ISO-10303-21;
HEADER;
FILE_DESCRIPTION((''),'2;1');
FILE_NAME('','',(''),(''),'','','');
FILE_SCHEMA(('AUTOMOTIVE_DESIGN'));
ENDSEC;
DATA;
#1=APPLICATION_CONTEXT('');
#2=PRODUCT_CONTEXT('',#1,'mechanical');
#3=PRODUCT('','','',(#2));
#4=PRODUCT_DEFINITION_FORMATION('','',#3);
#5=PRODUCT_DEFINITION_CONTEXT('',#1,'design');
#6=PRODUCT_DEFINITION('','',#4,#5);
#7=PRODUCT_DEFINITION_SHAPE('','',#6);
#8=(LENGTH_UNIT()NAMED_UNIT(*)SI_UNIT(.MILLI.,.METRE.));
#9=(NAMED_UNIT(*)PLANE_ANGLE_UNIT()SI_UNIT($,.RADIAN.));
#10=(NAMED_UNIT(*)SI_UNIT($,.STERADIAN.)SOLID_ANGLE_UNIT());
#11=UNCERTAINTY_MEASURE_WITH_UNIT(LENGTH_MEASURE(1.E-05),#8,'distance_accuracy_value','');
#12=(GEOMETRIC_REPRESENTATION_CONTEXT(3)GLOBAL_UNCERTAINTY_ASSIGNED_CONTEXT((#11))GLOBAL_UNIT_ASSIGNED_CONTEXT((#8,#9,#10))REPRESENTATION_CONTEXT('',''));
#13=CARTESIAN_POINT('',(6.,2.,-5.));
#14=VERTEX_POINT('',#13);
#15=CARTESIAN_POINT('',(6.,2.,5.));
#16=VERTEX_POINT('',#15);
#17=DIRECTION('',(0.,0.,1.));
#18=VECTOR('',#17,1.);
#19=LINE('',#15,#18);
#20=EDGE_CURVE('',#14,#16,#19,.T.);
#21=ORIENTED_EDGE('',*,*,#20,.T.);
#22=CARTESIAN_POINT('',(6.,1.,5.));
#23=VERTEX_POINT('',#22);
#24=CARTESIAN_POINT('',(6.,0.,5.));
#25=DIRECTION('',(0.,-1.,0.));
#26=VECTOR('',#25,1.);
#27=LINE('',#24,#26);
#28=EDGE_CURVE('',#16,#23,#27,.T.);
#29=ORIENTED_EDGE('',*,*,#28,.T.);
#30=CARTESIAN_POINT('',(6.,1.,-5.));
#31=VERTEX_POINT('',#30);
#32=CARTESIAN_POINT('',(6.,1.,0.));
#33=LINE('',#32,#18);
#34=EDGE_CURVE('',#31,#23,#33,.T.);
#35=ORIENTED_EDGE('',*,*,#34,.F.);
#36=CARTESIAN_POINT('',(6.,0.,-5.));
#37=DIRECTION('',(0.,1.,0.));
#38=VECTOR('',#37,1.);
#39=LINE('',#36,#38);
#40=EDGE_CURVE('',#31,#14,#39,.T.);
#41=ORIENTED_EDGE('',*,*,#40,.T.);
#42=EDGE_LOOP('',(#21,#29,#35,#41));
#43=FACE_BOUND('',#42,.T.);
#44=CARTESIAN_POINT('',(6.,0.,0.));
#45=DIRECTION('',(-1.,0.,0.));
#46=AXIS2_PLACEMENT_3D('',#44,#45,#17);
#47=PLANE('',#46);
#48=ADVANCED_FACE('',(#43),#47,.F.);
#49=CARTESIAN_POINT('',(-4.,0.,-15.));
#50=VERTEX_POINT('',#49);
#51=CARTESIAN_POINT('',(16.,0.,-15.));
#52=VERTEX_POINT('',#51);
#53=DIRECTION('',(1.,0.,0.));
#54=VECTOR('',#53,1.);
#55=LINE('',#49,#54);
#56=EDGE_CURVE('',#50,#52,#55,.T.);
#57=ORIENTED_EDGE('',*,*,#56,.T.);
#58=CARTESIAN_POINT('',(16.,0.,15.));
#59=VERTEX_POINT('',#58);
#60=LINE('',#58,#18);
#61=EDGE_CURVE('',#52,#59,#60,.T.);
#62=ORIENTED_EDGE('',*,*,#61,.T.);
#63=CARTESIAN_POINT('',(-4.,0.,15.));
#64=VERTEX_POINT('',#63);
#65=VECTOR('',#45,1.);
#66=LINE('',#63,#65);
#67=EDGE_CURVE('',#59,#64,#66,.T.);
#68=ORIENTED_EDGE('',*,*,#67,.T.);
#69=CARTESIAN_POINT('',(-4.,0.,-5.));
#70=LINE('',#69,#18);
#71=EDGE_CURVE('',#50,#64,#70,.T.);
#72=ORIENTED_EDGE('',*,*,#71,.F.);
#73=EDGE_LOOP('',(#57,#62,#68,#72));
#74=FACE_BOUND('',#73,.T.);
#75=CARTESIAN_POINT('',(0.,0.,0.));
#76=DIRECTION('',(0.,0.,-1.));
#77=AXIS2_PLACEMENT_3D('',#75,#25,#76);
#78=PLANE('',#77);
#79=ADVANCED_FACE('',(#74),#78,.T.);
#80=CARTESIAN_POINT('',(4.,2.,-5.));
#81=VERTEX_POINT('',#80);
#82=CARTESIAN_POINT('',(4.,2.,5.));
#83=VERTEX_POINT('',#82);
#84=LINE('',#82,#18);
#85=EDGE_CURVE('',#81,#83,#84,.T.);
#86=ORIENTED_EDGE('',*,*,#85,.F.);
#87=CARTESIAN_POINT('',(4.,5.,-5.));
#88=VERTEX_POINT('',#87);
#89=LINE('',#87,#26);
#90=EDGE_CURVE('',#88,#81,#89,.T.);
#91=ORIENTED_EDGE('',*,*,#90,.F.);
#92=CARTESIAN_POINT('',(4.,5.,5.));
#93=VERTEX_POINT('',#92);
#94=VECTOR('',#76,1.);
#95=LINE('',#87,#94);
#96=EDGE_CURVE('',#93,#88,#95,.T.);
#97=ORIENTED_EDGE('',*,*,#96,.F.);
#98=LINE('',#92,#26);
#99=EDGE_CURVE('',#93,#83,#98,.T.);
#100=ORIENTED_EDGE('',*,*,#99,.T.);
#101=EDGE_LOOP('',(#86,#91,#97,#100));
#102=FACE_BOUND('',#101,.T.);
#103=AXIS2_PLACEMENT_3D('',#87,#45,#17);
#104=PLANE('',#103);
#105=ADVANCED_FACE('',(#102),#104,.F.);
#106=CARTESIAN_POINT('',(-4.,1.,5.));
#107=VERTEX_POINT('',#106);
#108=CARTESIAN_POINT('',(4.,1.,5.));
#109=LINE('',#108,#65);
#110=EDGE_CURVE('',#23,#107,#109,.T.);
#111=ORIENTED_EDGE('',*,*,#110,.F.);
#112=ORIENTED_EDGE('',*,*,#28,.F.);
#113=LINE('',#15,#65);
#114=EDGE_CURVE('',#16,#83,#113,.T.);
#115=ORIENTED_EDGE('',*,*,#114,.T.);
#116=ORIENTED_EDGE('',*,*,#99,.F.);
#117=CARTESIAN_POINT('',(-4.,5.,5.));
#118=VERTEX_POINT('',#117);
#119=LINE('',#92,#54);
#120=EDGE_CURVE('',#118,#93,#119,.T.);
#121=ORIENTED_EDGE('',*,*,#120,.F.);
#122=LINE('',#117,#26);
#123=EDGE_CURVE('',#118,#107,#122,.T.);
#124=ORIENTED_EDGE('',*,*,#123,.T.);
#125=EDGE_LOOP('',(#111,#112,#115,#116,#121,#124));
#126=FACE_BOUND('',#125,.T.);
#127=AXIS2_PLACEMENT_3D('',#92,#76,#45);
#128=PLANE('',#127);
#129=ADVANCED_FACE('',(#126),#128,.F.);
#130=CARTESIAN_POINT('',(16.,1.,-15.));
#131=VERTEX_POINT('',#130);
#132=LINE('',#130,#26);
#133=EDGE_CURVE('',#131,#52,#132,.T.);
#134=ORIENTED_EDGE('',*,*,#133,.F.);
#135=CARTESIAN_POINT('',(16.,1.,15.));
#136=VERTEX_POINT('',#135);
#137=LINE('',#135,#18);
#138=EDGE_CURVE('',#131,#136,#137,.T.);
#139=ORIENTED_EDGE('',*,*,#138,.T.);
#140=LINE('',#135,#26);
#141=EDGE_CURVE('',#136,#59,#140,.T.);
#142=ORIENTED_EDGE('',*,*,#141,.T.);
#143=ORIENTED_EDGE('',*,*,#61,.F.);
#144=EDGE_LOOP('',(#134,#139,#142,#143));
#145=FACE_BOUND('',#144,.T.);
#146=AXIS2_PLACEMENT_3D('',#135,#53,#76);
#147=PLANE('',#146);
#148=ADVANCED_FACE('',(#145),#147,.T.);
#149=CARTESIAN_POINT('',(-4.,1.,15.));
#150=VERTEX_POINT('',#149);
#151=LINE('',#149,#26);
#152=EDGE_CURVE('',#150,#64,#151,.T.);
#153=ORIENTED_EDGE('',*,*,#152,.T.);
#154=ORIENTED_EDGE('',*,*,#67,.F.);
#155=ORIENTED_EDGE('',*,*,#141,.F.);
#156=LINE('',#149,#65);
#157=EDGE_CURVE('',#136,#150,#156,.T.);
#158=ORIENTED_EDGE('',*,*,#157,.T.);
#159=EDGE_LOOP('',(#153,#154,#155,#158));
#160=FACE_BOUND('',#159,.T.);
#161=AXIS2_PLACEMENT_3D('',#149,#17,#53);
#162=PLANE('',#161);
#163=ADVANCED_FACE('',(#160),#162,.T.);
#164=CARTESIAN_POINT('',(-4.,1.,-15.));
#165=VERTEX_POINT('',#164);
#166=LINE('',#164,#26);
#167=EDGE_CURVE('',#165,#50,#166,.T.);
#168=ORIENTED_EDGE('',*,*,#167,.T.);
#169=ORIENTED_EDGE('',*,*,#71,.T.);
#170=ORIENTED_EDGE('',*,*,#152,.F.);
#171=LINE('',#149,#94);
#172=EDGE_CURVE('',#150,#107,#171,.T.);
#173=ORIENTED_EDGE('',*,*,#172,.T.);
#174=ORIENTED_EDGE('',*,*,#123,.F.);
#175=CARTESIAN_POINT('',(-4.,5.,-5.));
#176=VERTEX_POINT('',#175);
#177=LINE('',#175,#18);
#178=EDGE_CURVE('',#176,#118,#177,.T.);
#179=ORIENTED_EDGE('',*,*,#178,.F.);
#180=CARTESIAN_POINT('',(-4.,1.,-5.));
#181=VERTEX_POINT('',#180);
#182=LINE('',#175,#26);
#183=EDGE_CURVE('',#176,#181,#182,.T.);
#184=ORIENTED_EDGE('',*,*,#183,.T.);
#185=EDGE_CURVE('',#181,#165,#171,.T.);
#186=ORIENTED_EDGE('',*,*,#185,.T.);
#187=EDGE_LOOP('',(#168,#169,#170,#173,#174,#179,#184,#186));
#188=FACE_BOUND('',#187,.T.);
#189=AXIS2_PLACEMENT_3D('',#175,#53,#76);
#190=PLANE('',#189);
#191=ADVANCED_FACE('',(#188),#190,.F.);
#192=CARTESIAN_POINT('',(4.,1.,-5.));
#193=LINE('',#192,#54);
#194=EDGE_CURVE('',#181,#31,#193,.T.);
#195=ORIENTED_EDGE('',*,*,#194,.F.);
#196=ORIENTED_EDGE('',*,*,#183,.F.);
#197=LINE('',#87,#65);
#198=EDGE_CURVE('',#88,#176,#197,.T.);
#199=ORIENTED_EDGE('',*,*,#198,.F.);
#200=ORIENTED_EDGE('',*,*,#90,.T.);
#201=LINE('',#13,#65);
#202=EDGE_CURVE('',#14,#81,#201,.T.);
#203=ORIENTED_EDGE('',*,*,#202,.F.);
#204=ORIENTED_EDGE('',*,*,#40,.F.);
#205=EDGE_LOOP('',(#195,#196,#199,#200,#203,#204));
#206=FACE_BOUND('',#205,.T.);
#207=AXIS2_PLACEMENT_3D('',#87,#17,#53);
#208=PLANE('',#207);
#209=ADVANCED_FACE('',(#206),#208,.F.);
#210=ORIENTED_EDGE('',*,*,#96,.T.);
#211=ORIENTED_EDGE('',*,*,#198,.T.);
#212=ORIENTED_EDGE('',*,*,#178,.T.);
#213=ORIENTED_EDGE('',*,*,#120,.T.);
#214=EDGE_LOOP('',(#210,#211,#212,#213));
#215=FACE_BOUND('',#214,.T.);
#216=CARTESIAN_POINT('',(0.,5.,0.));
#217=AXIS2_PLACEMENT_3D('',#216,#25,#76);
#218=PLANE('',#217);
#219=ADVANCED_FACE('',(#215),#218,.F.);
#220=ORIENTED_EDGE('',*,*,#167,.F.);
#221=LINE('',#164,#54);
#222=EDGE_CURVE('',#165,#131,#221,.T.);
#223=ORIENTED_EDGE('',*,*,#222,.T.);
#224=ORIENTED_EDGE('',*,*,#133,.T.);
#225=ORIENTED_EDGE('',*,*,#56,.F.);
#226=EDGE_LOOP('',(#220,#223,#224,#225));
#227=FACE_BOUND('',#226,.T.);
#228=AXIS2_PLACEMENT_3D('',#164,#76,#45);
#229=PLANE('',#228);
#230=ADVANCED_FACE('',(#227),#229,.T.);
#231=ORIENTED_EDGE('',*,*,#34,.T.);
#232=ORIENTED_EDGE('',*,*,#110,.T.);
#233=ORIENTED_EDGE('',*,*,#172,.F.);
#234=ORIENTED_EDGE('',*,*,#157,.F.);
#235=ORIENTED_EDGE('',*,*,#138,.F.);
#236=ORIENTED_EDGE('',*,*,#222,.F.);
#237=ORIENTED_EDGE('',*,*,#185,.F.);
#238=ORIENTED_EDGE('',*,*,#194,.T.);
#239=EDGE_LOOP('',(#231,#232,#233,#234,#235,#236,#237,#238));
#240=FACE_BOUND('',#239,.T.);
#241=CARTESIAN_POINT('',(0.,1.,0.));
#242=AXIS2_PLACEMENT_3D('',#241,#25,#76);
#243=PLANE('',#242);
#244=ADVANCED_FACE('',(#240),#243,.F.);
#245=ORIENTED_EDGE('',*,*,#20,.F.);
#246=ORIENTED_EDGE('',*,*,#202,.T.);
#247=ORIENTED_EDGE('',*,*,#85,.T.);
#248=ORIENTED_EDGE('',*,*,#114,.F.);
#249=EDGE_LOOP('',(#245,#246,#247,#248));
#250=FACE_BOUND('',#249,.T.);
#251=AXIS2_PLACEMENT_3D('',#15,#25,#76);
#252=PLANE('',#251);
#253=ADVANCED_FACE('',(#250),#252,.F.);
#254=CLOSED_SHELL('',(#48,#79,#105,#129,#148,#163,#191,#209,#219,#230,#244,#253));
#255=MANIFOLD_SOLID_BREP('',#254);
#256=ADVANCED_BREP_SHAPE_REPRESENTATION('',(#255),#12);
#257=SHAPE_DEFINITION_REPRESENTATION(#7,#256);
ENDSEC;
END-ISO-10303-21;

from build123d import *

# Parameters (mm, degrees)
SCHIZZO1_W                   = 8
SCHIZZO1_H                   = 10
ESTRUSIONE_ESTRUSIONE1_DEPTH = 5
SCHIZZO2_W                   = 10
SCHIZZO2_H                   = 2
ESTRUSIONE_ESTRUSIONE2_DEPTH = 2
SCHIZZO3_W                   = 20
SCHIZZO3_H                   = 30
ESTRUSIONE_ESTRUSIONE3_DEPTH = 1


with BuildPart() as part:
    # Schizzo1 → Estrusione-Estrusione1 (new body)
    with BuildSketch(Plane(origin=(0, 0, 0), x_dir=(1, 0, 0), z_dir=(0, 1, 0))):
        Rectangle(SCHIZZO1_W, SCHIZZO1_H)
    extrude(amount=ESTRUSIONE_ESTRUSIONE1_DEPTH)

    # Schizzo2 → Estrusione-Estrusione2 (add)
    with BuildSketch(Plane(origin=(4, 0, 0), x_dir=(0, 0, -1), z_dir=(1, 0, 0))):
        with Locations((0, 1)):
            Rectangle(SCHIZZO2_W, SCHIZZO2_H)
    extrude(amount=ESTRUSIONE_ESTRUSIONE2_DEPTH)

    # Schizzo3 → Estrusione-Estrusione3 (add)
    with BuildSketch(Plane.XZ):
        with Locations((6, 0)):
            Rectangle(SCHIZZO3_W, SCHIZZO3_H)
    extrude(amount=-ESTRUSIONE_ESTRUSIONE3_DEPTH)


solid = part.part
